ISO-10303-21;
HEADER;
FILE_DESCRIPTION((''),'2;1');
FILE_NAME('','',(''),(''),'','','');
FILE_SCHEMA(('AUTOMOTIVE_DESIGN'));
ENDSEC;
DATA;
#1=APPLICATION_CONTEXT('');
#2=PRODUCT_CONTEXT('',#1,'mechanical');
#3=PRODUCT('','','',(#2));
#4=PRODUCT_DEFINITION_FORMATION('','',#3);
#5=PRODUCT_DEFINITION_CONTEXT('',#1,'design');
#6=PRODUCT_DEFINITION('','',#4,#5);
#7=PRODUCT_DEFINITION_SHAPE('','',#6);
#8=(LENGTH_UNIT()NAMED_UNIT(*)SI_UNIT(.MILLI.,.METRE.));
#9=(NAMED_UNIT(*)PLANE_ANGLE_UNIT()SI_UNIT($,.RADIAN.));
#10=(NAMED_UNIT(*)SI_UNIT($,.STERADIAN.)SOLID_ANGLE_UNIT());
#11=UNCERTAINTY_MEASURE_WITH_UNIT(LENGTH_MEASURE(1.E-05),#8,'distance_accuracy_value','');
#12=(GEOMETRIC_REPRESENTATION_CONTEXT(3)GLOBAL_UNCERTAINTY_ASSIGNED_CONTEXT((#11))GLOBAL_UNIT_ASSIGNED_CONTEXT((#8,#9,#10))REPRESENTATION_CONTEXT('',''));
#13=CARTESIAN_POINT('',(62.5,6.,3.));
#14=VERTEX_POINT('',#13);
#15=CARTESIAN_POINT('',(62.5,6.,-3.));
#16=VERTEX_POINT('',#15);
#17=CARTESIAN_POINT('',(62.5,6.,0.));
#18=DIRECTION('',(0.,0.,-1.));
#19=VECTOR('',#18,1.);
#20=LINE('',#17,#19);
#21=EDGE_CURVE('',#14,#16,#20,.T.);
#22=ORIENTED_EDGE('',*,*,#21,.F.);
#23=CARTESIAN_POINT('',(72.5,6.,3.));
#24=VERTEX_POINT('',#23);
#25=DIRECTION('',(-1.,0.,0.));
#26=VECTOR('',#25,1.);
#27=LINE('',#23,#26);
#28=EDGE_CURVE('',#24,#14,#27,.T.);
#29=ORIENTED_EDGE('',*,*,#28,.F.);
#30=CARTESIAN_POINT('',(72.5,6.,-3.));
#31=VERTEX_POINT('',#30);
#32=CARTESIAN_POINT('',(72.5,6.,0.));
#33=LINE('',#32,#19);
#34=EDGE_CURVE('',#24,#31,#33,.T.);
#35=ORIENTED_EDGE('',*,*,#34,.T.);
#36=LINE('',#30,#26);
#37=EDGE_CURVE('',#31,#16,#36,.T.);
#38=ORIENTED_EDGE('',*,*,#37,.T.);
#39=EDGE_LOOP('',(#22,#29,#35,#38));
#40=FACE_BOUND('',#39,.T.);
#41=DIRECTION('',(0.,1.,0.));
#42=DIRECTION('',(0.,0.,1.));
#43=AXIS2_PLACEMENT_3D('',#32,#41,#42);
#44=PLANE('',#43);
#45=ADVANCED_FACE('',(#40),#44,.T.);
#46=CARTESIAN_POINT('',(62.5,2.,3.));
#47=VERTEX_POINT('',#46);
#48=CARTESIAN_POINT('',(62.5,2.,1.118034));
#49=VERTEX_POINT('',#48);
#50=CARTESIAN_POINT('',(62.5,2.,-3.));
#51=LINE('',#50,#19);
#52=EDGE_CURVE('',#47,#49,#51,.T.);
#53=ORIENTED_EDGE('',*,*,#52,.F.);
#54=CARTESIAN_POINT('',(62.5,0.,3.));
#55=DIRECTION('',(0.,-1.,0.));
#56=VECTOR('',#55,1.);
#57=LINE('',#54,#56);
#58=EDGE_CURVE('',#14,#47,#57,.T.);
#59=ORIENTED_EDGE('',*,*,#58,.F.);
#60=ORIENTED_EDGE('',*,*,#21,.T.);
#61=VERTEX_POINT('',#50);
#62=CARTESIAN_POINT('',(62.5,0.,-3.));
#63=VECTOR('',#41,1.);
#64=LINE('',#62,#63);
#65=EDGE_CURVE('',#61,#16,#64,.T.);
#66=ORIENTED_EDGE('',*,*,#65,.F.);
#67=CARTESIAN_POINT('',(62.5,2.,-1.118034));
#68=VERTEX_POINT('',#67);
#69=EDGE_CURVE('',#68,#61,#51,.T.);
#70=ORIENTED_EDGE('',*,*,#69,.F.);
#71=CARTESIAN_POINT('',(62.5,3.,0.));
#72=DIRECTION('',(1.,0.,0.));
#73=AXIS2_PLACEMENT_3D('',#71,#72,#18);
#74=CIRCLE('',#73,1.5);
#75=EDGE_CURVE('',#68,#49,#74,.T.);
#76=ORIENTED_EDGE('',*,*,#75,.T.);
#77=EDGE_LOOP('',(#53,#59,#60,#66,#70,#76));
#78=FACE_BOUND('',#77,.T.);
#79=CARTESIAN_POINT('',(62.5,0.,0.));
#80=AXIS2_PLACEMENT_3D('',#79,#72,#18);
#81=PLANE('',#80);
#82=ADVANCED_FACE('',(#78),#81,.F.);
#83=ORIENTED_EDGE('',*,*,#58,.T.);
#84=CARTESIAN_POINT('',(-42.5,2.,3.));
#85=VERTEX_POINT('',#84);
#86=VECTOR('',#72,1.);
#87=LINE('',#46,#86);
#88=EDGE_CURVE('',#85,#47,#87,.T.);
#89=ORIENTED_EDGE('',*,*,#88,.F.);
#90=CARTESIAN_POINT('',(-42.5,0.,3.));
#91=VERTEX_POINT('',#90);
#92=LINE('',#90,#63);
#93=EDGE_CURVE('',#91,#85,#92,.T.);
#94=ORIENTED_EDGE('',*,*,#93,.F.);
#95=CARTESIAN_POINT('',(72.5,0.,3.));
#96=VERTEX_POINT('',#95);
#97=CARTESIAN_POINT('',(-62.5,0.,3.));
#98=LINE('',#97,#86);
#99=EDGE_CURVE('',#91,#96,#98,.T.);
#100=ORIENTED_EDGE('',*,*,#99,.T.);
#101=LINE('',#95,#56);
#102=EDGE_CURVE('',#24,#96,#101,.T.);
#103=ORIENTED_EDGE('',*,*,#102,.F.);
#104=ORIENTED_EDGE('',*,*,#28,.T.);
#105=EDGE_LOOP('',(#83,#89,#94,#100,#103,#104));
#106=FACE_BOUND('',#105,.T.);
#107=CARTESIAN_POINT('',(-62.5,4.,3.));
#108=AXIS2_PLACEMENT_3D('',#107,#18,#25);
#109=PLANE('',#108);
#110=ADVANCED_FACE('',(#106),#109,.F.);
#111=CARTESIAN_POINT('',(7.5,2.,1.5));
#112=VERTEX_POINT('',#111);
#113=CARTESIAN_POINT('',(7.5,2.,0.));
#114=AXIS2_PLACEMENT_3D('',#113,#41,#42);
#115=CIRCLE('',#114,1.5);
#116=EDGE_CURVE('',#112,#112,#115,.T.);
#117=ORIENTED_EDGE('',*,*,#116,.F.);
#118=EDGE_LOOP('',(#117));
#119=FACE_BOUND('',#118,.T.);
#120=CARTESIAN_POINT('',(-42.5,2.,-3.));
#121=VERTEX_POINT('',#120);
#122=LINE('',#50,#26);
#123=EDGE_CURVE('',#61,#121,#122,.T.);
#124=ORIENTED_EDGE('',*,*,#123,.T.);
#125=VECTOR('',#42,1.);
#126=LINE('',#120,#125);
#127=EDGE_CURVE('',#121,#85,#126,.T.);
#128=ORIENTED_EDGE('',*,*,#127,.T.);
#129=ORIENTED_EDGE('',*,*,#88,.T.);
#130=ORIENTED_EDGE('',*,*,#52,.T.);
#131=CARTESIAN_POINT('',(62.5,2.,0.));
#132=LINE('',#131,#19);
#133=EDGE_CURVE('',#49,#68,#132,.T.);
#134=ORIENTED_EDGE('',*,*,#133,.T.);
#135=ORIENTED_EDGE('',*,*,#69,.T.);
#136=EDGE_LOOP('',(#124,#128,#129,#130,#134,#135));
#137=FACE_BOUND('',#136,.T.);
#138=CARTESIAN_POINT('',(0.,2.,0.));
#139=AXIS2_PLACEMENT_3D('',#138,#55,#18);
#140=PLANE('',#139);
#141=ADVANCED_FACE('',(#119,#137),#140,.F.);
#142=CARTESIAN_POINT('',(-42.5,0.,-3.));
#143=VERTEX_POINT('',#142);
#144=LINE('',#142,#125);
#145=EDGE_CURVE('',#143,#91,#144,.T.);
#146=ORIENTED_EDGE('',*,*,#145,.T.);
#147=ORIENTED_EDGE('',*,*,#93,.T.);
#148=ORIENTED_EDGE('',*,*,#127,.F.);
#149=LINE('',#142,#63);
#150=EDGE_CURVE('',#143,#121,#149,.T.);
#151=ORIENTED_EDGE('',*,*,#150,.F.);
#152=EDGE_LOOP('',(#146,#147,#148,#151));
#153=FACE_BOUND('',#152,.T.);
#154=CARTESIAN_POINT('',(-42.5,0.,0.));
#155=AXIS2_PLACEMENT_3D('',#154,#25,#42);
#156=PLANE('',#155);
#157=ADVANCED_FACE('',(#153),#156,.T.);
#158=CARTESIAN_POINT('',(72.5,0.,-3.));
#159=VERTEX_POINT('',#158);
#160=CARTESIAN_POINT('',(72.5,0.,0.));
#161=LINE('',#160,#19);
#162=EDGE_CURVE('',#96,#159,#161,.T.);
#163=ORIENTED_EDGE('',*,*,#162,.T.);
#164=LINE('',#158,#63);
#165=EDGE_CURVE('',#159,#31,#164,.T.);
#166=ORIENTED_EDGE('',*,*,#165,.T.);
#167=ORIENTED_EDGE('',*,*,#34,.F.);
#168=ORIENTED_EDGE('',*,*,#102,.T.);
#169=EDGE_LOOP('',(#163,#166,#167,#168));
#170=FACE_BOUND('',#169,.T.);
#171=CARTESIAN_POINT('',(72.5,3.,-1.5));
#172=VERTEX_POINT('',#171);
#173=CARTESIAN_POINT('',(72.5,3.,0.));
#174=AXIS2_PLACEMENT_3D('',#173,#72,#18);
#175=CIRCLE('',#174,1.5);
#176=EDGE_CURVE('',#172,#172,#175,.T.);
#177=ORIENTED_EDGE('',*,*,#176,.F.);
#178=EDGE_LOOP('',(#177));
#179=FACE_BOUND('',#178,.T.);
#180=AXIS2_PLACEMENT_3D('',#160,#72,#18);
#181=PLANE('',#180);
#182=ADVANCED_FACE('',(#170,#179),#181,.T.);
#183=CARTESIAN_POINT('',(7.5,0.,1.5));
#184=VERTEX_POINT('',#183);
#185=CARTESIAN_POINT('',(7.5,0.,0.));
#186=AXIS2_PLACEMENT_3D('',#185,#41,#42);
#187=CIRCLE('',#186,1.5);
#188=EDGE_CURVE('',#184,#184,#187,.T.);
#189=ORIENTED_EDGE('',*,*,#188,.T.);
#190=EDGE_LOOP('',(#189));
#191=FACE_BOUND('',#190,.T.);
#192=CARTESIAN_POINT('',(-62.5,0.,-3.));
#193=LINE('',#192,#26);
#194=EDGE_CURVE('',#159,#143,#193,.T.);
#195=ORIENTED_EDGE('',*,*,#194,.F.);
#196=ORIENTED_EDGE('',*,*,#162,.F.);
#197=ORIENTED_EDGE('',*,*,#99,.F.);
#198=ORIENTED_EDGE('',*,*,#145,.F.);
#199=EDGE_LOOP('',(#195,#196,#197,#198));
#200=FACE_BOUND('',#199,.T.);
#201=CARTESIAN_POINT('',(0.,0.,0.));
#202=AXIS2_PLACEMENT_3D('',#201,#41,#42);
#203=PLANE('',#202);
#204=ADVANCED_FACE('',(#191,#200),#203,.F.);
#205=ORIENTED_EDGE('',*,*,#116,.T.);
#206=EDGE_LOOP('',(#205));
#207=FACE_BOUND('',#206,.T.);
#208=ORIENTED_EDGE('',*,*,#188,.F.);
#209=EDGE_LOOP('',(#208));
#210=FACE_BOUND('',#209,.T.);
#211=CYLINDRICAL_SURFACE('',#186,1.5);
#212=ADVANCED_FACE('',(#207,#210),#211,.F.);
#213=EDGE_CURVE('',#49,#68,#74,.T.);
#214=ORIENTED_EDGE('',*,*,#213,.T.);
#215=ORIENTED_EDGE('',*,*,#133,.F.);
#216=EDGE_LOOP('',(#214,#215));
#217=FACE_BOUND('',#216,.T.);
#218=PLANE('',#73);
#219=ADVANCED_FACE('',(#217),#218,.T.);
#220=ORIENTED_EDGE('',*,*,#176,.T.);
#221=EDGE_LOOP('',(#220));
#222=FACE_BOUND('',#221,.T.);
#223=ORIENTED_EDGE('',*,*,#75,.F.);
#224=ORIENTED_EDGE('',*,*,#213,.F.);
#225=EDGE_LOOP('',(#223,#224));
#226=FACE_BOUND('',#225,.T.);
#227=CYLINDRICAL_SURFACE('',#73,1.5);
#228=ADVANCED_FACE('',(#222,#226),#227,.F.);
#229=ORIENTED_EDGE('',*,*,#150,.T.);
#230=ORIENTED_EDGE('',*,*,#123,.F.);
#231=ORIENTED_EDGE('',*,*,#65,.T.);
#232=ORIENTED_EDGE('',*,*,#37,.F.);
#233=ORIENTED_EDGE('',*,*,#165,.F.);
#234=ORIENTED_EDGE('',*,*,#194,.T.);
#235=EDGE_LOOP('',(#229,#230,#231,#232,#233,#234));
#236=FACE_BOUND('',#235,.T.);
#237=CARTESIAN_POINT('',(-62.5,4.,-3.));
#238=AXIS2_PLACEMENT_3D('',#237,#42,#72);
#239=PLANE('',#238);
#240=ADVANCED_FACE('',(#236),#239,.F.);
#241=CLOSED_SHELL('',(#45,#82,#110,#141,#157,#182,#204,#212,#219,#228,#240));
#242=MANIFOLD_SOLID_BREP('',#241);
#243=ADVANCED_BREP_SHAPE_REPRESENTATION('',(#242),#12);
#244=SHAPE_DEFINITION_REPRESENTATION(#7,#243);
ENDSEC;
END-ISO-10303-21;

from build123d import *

# Parameters (mm, degrees)
SKETCH1_W           = 125
SKETCH1_H           = 6
BOSS_EXTRUDE1_DEPTH = 4
SKETCH2_R           = 1.15
CUT_EXTRUDE1_DEPTH  = 4
SKETCH4_W           = 6
SKETCH4_H           = 6
BOSS_EXTRUDE2_DEPTH = 10
SKETCH5_R           = 1.25
CUT_EXTRUDE2_DEPTH  = 10
SKETCH6_W           = 125
SKETCH6_H           = 6
CUT_EXTRUDE3_DEPTH  = 2
SKETCH7_R           = 1.5
CUT_EXTRUDE5_DEPTH  = 2
SKETCH8_R           = 1.5
CUT_EXTRUDE6_DEPTH  = 10
SKETCH9_R           = 1.5
CUT_EXTRUDE7_DEPTH  = 10
SKETCH10_W          = 6
SKETCH10_H          = 2
CUT_EXTRUDE8_DEPTH  = 20
SKETCH11_R          = 1.5
BOSS_EXTRUDE3_DEPTH = 2
SKETCH12_R          = 1.5
CUT_EXTRUDE9_DEPTH  = 2


with BuildPart() as part:
    # Sketch1 → Boss-Extrude1 (new body)
    with BuildSketch(Plane(origin=(0, 0, 0), x_dir=(1, 0, 0), z_dir=(0, 1, 0))):
        Rectangle(SKETCH1_W, SKETCH1_H)
    extrude(amount=BOSS_EXTRUDE1_DEPTH)

    # Sketch2 → Cut-Extrude1 (cut)
    with BuildSketch(Plane.XZ):
        with Locations(Location((0, 0, 0), (0, 0, 270))):
            Circle(SKETCH2_R)
    extrude(amount=-CUT_EXTRUDE1_DEPTH, mode=Mode.SUBTRACT)

    # Sketch4 → Boss-Extrude2 (add)
    with BuildSketch(Plane(origin=(62.5, 0, 0), x_dir=(0, 0, -1), z_dir=(1, 0, 0))):
        with Locations((0, 3)):
            Rectangle(SKETCH4_W, SKETCH4_H)
    extrude(amount=BOSS_EXTRUDE2_DEPTH)

    # Sketch5 → Cut-Extrude2 (cut)
    with BuildSketch(Plane(origin=(72.5, 0, 0), x_dir=(0, 0, -1), z_dir=(1, 0, 0))):
        with Locations((0, 3)):
            Circle(SKETCH5_R)
    extrude(amount=-CUT_EXTRUDE2_DEPTH, mode=Mode.SUBTRACT)

    # Sketch6 → Cut-Extrude3 (cut)
    with BuildSketch(Plane(origin=(0, 4, 0), x_dir=(1, 0, 0), z_dir=(0, 1, 0))):
        Rectangle(SKETCH6_W, SKETCH6_H)
    extrude(amount=-CUT_EXTRUDE3_DEPTH, mode=Mode.SUBTRACT)

    # Sketch7 → Cut-Extrude5 (cut)
    with BuildSketch(Plane(origin=(0, 2, 0), x_dir=(1, 0, 0), z_dir=(0, 1, 0))):
        with Locations(Location((0, 0, 0), (0, 0, 270))):
            Circle(SKETCH7_R)
    extrude(amount=-CUT_EXTRUDE5_DEPTH, mode=Mode.SUBTRACT)

    # Sketch8 → Cut-Extrude6 (cut)
    with BuildSketch(Plane(origin=(72.5, 0, 0), x_dir=(0, 0, -1), z_dir=(1, 0, 0))):
        with Locations((0, 3)):
            Circle(SKETCH8_R)
    extrude(amount=-CUT_EXTRUDE6_DEPTH, mode=Mode.SUBTRACT)

    # Sketch9 → Cut-Extrude7 (cut)
    with BuildSketch(Plane(origin=(0, 2, 0), x_dir=(1, 0, 0), z_dir=(0, 1, 0))):
        with Locations(Location((-57.5, 0, 0), (0, 0, 270))):
            Circle(SKETCH9_R)
    extrude(amount=-CUT_EXTRUDE7_DEPTH, mode=Mode.SUBTRACT)

    # Sketch10 → Cut-Extrude8 (cut)
    with BuildSketch(Plane.ZY.offset(62.5)):
        with Locations((0, 1)):
            Rectangle(SKETCH10_W, SKETCH10_H)
    extrude(amount=-CUT_EXTRUDE8_DEPTH, mode=Mode.SUBTRACT)

    # Sketch11 → Boss-Extrude3 (add)
    with BuildSketch(Plane(origin=(0, 2, 0), x_dir=(1, 0, 0), z_dir=(0, 1, 0))):
        Circle(SKETCH11_R)
    extrude(amount=-BOSS_EXTRUDE3_DEPTH)

    # Sketch12 → Cut-Extrude9 (cut)
    with BuildSketch(Plane(origin=(0, 2, 0), x_dir=(1, 0, 0), z_dir=(0, 1, 0))):
        with Locations(Location((7.5, 0, 0), (0, 0, 270))):
            Circle(SKETCH12_R)
    extrude(amount=-CUT_EXTRUDE9_DEPTH, mode=Mode.SUBTRACT)


solid = part.part
